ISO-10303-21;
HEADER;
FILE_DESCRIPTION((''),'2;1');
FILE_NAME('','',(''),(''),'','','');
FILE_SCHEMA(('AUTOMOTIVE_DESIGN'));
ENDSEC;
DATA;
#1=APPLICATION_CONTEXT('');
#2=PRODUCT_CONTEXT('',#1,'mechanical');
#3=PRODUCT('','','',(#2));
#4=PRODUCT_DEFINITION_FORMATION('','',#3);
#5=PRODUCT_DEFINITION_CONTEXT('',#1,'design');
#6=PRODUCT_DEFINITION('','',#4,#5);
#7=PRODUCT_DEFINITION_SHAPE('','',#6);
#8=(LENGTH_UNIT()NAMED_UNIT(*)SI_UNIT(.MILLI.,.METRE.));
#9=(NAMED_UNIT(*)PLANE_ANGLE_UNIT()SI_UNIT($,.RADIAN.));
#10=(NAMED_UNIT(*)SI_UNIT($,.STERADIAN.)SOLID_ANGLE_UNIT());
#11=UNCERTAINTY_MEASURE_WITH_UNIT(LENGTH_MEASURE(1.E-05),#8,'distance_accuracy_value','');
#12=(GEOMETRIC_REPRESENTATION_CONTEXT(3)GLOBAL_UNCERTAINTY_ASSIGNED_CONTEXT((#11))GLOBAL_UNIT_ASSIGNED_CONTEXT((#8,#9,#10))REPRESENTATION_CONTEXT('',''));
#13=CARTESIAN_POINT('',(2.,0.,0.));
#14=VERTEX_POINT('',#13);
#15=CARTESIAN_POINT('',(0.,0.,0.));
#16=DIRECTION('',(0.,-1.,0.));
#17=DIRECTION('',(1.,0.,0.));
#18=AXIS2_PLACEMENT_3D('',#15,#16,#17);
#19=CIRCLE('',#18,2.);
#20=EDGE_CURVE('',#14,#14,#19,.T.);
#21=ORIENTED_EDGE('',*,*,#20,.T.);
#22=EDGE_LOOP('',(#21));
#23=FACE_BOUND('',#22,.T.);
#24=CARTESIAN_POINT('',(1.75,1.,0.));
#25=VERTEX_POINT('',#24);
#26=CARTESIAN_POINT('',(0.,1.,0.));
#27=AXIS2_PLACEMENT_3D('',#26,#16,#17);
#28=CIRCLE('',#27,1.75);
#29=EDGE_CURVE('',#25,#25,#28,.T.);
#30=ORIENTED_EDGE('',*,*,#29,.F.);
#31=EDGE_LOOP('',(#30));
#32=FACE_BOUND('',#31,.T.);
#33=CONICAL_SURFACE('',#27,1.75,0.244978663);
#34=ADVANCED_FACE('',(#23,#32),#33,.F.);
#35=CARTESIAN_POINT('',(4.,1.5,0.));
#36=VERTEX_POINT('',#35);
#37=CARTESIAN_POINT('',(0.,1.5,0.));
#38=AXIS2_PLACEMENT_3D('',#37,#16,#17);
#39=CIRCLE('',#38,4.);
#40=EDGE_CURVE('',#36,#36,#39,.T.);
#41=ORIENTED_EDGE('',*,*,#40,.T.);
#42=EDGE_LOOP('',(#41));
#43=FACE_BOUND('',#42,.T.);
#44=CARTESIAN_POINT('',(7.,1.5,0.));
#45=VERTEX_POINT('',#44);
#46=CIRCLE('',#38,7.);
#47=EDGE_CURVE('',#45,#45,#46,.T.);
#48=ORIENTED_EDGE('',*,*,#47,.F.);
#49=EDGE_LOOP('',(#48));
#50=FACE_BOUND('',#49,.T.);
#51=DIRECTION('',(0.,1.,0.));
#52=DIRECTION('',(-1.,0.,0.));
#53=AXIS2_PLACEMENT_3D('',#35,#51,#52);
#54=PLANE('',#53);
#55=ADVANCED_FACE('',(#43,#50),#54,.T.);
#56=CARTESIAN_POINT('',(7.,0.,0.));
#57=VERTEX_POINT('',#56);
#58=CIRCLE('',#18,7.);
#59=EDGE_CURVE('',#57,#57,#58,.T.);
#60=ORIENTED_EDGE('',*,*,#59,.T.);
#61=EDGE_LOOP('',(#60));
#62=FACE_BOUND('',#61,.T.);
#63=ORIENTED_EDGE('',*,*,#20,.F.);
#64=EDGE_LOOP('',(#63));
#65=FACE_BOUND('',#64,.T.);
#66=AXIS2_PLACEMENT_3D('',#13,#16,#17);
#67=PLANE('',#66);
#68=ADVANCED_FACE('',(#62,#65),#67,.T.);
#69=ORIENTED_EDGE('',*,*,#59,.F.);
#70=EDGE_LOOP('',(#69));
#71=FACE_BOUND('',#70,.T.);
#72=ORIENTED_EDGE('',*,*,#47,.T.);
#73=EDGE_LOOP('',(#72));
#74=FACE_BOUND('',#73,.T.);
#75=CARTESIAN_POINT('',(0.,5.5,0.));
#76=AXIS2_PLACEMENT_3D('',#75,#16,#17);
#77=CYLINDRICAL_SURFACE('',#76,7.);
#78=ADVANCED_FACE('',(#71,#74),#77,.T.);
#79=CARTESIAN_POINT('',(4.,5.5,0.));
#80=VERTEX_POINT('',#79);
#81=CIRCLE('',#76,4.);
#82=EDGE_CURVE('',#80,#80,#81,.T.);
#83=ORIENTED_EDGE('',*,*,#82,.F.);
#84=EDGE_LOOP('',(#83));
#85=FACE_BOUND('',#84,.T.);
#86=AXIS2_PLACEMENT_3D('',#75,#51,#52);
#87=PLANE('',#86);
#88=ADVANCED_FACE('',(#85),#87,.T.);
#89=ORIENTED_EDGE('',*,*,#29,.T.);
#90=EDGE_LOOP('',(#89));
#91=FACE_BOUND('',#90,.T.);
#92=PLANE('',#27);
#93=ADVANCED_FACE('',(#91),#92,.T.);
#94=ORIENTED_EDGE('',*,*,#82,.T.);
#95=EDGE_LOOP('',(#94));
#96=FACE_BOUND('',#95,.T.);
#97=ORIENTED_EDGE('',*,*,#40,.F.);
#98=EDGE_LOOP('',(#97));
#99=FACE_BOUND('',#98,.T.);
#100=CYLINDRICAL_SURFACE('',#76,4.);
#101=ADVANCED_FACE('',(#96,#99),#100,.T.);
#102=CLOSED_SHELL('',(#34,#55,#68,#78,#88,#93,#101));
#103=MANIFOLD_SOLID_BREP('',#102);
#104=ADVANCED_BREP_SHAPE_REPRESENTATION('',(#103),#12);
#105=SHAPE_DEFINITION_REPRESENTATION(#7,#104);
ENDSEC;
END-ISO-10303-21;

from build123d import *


with BuildPart() as part:
    # Sketch1 → Revolve1 (revolve)
    with BuildSketch(Plane.XY):
        Polygon((0, 5.5), (4, 5.5), (4, 1.5), (7, 1.5), (7, 0), (2, 0), (1.75, 1), (0, 1), align=None)
    revolve(axis=Axis((0, 5.5, 0), (0, 1, 0)))


solid = part.part
